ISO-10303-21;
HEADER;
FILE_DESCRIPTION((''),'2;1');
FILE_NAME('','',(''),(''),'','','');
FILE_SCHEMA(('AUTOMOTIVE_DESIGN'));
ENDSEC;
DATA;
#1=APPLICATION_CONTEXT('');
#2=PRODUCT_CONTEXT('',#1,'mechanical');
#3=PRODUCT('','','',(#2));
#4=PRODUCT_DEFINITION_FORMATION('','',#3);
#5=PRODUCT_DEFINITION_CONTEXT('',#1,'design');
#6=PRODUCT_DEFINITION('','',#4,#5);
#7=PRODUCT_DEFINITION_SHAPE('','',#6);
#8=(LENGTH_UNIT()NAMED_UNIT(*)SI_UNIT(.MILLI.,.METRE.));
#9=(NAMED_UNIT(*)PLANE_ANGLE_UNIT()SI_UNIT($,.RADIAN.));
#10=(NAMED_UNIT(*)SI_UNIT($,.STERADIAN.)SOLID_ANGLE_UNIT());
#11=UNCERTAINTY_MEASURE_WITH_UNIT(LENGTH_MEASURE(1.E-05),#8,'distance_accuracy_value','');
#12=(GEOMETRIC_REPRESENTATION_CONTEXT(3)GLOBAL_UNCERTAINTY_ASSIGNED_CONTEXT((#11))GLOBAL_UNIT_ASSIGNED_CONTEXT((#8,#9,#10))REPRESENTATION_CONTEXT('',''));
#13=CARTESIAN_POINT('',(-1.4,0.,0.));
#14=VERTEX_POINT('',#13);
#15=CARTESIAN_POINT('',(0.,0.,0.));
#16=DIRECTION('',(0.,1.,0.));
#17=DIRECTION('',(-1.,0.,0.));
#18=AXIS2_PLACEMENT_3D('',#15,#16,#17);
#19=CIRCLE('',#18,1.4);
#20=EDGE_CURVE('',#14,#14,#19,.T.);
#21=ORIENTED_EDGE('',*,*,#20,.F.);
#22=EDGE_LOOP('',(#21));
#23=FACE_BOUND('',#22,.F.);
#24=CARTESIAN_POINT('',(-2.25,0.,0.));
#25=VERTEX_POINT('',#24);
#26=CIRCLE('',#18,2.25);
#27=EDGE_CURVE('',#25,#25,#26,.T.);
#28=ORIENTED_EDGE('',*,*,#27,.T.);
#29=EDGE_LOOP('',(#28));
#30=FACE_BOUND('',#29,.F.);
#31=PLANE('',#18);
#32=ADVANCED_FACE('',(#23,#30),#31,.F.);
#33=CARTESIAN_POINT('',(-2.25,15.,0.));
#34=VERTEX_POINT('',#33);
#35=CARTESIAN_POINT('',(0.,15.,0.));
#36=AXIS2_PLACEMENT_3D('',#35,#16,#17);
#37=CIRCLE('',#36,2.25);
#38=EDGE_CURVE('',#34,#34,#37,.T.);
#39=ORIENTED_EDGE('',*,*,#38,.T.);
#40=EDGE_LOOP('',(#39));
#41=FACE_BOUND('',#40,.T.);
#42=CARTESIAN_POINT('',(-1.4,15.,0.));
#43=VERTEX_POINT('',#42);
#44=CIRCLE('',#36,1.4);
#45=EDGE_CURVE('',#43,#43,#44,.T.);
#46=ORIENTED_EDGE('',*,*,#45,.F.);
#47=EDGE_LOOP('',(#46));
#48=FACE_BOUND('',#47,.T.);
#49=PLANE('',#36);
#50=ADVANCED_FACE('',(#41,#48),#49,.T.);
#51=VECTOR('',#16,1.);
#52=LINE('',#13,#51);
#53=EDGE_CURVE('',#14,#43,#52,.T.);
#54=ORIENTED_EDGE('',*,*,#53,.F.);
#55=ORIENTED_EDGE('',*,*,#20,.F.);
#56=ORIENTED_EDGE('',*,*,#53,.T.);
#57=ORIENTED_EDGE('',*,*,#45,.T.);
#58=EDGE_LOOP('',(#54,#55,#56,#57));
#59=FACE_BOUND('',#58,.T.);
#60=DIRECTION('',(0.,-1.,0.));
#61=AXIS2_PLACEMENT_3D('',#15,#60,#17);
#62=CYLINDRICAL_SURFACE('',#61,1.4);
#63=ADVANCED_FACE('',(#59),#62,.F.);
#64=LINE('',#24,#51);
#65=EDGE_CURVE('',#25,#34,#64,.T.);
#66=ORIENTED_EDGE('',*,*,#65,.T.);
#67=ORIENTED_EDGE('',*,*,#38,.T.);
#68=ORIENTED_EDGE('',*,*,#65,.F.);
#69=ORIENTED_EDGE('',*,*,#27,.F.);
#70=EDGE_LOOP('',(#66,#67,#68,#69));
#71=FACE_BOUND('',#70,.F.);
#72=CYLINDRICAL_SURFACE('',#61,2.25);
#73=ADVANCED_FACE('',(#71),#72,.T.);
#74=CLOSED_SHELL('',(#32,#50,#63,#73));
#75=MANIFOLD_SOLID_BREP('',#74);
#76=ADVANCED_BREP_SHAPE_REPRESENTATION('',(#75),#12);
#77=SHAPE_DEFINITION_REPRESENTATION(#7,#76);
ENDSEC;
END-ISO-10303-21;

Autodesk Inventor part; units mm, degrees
ref_plane "YZ Plane" through (0, 0, 0) normal (1, 0, 0) x (0, 1, 0)
ref_plane "XZ Plane" through (0, 0, 0) normal (0, 1, 0) x (-1, 0, 0)
ref_plane "XY Plane" through (0, 0, 0) normal (0, 0, 1) x (1, 0, 0)
sketch "Sketch1" plane through (0, 0, 0) normal (0, 1, 0) x (-1, 0, 0)
  circle A0 centre (0, 0) radius 2.25
  circle A1 centre (0, 0) radius 1.4
  dimension "d0" = 4.5
  dimension "d1" = 2.8
extrude "Extrusion1" add sketch "Sketch1" along normal blind 15
properties part number "Rod Housing Cam"
